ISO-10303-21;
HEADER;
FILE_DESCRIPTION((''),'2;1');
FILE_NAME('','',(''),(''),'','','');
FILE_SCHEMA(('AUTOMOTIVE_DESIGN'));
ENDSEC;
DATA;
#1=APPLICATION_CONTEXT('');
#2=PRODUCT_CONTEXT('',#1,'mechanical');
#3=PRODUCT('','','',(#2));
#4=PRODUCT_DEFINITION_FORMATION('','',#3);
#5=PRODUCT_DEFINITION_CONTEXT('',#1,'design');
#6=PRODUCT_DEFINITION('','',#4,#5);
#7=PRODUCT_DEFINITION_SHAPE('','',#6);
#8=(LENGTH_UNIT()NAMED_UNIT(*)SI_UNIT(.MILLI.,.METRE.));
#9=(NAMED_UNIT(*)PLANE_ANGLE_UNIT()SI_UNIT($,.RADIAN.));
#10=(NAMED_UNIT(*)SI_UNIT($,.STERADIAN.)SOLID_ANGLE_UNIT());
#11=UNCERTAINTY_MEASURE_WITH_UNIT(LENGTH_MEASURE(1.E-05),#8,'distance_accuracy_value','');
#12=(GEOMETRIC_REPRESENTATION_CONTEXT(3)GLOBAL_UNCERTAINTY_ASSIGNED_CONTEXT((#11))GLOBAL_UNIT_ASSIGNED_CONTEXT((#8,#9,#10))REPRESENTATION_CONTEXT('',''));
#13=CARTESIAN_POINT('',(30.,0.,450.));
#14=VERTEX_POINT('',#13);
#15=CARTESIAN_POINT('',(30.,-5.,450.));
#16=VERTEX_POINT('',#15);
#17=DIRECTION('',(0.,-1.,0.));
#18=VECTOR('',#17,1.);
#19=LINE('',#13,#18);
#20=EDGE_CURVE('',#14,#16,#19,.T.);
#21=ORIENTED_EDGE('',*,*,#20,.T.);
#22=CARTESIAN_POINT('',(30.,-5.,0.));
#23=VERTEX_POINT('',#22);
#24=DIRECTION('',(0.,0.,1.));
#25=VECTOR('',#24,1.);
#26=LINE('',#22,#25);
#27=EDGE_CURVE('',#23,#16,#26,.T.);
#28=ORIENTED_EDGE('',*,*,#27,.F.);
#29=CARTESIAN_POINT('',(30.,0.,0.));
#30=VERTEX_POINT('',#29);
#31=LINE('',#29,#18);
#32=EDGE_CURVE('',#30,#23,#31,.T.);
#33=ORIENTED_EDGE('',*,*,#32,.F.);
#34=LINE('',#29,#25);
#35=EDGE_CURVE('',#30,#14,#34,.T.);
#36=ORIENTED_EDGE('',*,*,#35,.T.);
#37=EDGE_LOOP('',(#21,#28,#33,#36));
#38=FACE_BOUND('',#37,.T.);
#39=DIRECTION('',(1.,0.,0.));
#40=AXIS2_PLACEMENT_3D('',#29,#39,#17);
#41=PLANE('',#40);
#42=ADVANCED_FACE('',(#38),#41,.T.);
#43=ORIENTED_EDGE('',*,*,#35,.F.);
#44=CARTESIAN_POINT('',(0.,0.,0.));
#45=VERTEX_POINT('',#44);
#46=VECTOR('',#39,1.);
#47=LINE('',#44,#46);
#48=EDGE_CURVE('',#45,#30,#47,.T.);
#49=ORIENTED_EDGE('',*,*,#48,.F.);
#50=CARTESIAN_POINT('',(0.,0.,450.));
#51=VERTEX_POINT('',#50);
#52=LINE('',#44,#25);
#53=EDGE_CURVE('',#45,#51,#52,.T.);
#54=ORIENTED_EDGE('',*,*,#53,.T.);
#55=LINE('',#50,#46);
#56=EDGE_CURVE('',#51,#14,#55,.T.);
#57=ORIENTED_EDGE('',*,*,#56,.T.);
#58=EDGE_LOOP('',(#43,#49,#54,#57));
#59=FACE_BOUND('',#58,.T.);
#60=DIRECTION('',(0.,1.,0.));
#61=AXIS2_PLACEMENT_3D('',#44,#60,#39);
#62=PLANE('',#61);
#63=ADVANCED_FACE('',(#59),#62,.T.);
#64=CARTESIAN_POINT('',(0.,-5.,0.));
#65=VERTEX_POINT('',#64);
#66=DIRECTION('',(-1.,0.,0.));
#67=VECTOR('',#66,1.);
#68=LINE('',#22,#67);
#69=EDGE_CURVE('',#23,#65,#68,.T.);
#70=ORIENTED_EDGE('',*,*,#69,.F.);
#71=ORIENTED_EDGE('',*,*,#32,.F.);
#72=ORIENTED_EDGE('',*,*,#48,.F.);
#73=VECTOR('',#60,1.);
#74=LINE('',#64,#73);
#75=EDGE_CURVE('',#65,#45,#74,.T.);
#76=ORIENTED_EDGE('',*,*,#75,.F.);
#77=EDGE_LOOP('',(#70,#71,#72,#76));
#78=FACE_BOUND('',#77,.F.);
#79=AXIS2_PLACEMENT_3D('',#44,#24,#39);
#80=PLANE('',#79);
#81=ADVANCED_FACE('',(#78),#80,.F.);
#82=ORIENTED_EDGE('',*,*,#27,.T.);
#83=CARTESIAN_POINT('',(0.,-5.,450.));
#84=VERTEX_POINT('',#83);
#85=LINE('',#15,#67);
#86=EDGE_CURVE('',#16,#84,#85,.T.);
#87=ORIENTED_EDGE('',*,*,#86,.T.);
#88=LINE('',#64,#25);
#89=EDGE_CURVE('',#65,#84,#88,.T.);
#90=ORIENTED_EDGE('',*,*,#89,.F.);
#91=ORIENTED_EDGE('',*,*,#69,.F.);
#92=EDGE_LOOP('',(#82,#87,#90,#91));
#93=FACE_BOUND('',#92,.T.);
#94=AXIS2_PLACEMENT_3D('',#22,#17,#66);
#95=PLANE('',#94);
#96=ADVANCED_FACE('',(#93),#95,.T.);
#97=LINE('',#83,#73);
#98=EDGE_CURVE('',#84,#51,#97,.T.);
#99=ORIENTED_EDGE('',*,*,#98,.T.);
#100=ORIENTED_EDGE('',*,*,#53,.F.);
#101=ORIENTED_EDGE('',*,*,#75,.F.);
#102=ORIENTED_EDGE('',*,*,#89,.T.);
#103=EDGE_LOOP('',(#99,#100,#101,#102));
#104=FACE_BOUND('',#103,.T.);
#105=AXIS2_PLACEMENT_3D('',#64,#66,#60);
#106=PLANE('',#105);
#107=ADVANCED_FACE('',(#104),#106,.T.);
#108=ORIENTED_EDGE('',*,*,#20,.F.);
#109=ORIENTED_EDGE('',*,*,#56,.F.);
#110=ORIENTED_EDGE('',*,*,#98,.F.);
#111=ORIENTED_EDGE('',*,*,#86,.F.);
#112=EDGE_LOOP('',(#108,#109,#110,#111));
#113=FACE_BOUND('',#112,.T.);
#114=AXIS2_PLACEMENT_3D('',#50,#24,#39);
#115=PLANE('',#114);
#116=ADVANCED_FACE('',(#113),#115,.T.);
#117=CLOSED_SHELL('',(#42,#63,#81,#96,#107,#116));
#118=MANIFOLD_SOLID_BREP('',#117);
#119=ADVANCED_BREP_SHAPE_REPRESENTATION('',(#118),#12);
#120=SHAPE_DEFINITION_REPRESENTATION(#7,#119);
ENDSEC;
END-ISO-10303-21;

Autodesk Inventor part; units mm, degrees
ref_plane "YZ Plane" through (0, 0, 0) normal (1, 0, 0) x (0, 1, 0)
ref_plane "XZ Plane" through (0, 0, 0) normal (0, 1, 0) x (-1, 0, 0)
ref_plane "XY Plane" through (0, 0, 0) normal (0, 0, 1) x (1, 0, 0)
sketch "Sketch1" plane through (0, 0, 0) normal (0, 0, 1) x (1, 0, 0)
  line L0 (0, 0) -> (30, 0)
  line L1 (30, 0) -> (30, -5)
  line L2 (30, -5) -> (0, -5)
  line L3 (0, -5) -> (0, 0)
  dimension "d0" = 30
  dimension "d1" = 5
extrude "Extrusion1" add sketch "Sketch1" along normal blind 450
properties part number "plaskownik_30x5mm_45cm"
